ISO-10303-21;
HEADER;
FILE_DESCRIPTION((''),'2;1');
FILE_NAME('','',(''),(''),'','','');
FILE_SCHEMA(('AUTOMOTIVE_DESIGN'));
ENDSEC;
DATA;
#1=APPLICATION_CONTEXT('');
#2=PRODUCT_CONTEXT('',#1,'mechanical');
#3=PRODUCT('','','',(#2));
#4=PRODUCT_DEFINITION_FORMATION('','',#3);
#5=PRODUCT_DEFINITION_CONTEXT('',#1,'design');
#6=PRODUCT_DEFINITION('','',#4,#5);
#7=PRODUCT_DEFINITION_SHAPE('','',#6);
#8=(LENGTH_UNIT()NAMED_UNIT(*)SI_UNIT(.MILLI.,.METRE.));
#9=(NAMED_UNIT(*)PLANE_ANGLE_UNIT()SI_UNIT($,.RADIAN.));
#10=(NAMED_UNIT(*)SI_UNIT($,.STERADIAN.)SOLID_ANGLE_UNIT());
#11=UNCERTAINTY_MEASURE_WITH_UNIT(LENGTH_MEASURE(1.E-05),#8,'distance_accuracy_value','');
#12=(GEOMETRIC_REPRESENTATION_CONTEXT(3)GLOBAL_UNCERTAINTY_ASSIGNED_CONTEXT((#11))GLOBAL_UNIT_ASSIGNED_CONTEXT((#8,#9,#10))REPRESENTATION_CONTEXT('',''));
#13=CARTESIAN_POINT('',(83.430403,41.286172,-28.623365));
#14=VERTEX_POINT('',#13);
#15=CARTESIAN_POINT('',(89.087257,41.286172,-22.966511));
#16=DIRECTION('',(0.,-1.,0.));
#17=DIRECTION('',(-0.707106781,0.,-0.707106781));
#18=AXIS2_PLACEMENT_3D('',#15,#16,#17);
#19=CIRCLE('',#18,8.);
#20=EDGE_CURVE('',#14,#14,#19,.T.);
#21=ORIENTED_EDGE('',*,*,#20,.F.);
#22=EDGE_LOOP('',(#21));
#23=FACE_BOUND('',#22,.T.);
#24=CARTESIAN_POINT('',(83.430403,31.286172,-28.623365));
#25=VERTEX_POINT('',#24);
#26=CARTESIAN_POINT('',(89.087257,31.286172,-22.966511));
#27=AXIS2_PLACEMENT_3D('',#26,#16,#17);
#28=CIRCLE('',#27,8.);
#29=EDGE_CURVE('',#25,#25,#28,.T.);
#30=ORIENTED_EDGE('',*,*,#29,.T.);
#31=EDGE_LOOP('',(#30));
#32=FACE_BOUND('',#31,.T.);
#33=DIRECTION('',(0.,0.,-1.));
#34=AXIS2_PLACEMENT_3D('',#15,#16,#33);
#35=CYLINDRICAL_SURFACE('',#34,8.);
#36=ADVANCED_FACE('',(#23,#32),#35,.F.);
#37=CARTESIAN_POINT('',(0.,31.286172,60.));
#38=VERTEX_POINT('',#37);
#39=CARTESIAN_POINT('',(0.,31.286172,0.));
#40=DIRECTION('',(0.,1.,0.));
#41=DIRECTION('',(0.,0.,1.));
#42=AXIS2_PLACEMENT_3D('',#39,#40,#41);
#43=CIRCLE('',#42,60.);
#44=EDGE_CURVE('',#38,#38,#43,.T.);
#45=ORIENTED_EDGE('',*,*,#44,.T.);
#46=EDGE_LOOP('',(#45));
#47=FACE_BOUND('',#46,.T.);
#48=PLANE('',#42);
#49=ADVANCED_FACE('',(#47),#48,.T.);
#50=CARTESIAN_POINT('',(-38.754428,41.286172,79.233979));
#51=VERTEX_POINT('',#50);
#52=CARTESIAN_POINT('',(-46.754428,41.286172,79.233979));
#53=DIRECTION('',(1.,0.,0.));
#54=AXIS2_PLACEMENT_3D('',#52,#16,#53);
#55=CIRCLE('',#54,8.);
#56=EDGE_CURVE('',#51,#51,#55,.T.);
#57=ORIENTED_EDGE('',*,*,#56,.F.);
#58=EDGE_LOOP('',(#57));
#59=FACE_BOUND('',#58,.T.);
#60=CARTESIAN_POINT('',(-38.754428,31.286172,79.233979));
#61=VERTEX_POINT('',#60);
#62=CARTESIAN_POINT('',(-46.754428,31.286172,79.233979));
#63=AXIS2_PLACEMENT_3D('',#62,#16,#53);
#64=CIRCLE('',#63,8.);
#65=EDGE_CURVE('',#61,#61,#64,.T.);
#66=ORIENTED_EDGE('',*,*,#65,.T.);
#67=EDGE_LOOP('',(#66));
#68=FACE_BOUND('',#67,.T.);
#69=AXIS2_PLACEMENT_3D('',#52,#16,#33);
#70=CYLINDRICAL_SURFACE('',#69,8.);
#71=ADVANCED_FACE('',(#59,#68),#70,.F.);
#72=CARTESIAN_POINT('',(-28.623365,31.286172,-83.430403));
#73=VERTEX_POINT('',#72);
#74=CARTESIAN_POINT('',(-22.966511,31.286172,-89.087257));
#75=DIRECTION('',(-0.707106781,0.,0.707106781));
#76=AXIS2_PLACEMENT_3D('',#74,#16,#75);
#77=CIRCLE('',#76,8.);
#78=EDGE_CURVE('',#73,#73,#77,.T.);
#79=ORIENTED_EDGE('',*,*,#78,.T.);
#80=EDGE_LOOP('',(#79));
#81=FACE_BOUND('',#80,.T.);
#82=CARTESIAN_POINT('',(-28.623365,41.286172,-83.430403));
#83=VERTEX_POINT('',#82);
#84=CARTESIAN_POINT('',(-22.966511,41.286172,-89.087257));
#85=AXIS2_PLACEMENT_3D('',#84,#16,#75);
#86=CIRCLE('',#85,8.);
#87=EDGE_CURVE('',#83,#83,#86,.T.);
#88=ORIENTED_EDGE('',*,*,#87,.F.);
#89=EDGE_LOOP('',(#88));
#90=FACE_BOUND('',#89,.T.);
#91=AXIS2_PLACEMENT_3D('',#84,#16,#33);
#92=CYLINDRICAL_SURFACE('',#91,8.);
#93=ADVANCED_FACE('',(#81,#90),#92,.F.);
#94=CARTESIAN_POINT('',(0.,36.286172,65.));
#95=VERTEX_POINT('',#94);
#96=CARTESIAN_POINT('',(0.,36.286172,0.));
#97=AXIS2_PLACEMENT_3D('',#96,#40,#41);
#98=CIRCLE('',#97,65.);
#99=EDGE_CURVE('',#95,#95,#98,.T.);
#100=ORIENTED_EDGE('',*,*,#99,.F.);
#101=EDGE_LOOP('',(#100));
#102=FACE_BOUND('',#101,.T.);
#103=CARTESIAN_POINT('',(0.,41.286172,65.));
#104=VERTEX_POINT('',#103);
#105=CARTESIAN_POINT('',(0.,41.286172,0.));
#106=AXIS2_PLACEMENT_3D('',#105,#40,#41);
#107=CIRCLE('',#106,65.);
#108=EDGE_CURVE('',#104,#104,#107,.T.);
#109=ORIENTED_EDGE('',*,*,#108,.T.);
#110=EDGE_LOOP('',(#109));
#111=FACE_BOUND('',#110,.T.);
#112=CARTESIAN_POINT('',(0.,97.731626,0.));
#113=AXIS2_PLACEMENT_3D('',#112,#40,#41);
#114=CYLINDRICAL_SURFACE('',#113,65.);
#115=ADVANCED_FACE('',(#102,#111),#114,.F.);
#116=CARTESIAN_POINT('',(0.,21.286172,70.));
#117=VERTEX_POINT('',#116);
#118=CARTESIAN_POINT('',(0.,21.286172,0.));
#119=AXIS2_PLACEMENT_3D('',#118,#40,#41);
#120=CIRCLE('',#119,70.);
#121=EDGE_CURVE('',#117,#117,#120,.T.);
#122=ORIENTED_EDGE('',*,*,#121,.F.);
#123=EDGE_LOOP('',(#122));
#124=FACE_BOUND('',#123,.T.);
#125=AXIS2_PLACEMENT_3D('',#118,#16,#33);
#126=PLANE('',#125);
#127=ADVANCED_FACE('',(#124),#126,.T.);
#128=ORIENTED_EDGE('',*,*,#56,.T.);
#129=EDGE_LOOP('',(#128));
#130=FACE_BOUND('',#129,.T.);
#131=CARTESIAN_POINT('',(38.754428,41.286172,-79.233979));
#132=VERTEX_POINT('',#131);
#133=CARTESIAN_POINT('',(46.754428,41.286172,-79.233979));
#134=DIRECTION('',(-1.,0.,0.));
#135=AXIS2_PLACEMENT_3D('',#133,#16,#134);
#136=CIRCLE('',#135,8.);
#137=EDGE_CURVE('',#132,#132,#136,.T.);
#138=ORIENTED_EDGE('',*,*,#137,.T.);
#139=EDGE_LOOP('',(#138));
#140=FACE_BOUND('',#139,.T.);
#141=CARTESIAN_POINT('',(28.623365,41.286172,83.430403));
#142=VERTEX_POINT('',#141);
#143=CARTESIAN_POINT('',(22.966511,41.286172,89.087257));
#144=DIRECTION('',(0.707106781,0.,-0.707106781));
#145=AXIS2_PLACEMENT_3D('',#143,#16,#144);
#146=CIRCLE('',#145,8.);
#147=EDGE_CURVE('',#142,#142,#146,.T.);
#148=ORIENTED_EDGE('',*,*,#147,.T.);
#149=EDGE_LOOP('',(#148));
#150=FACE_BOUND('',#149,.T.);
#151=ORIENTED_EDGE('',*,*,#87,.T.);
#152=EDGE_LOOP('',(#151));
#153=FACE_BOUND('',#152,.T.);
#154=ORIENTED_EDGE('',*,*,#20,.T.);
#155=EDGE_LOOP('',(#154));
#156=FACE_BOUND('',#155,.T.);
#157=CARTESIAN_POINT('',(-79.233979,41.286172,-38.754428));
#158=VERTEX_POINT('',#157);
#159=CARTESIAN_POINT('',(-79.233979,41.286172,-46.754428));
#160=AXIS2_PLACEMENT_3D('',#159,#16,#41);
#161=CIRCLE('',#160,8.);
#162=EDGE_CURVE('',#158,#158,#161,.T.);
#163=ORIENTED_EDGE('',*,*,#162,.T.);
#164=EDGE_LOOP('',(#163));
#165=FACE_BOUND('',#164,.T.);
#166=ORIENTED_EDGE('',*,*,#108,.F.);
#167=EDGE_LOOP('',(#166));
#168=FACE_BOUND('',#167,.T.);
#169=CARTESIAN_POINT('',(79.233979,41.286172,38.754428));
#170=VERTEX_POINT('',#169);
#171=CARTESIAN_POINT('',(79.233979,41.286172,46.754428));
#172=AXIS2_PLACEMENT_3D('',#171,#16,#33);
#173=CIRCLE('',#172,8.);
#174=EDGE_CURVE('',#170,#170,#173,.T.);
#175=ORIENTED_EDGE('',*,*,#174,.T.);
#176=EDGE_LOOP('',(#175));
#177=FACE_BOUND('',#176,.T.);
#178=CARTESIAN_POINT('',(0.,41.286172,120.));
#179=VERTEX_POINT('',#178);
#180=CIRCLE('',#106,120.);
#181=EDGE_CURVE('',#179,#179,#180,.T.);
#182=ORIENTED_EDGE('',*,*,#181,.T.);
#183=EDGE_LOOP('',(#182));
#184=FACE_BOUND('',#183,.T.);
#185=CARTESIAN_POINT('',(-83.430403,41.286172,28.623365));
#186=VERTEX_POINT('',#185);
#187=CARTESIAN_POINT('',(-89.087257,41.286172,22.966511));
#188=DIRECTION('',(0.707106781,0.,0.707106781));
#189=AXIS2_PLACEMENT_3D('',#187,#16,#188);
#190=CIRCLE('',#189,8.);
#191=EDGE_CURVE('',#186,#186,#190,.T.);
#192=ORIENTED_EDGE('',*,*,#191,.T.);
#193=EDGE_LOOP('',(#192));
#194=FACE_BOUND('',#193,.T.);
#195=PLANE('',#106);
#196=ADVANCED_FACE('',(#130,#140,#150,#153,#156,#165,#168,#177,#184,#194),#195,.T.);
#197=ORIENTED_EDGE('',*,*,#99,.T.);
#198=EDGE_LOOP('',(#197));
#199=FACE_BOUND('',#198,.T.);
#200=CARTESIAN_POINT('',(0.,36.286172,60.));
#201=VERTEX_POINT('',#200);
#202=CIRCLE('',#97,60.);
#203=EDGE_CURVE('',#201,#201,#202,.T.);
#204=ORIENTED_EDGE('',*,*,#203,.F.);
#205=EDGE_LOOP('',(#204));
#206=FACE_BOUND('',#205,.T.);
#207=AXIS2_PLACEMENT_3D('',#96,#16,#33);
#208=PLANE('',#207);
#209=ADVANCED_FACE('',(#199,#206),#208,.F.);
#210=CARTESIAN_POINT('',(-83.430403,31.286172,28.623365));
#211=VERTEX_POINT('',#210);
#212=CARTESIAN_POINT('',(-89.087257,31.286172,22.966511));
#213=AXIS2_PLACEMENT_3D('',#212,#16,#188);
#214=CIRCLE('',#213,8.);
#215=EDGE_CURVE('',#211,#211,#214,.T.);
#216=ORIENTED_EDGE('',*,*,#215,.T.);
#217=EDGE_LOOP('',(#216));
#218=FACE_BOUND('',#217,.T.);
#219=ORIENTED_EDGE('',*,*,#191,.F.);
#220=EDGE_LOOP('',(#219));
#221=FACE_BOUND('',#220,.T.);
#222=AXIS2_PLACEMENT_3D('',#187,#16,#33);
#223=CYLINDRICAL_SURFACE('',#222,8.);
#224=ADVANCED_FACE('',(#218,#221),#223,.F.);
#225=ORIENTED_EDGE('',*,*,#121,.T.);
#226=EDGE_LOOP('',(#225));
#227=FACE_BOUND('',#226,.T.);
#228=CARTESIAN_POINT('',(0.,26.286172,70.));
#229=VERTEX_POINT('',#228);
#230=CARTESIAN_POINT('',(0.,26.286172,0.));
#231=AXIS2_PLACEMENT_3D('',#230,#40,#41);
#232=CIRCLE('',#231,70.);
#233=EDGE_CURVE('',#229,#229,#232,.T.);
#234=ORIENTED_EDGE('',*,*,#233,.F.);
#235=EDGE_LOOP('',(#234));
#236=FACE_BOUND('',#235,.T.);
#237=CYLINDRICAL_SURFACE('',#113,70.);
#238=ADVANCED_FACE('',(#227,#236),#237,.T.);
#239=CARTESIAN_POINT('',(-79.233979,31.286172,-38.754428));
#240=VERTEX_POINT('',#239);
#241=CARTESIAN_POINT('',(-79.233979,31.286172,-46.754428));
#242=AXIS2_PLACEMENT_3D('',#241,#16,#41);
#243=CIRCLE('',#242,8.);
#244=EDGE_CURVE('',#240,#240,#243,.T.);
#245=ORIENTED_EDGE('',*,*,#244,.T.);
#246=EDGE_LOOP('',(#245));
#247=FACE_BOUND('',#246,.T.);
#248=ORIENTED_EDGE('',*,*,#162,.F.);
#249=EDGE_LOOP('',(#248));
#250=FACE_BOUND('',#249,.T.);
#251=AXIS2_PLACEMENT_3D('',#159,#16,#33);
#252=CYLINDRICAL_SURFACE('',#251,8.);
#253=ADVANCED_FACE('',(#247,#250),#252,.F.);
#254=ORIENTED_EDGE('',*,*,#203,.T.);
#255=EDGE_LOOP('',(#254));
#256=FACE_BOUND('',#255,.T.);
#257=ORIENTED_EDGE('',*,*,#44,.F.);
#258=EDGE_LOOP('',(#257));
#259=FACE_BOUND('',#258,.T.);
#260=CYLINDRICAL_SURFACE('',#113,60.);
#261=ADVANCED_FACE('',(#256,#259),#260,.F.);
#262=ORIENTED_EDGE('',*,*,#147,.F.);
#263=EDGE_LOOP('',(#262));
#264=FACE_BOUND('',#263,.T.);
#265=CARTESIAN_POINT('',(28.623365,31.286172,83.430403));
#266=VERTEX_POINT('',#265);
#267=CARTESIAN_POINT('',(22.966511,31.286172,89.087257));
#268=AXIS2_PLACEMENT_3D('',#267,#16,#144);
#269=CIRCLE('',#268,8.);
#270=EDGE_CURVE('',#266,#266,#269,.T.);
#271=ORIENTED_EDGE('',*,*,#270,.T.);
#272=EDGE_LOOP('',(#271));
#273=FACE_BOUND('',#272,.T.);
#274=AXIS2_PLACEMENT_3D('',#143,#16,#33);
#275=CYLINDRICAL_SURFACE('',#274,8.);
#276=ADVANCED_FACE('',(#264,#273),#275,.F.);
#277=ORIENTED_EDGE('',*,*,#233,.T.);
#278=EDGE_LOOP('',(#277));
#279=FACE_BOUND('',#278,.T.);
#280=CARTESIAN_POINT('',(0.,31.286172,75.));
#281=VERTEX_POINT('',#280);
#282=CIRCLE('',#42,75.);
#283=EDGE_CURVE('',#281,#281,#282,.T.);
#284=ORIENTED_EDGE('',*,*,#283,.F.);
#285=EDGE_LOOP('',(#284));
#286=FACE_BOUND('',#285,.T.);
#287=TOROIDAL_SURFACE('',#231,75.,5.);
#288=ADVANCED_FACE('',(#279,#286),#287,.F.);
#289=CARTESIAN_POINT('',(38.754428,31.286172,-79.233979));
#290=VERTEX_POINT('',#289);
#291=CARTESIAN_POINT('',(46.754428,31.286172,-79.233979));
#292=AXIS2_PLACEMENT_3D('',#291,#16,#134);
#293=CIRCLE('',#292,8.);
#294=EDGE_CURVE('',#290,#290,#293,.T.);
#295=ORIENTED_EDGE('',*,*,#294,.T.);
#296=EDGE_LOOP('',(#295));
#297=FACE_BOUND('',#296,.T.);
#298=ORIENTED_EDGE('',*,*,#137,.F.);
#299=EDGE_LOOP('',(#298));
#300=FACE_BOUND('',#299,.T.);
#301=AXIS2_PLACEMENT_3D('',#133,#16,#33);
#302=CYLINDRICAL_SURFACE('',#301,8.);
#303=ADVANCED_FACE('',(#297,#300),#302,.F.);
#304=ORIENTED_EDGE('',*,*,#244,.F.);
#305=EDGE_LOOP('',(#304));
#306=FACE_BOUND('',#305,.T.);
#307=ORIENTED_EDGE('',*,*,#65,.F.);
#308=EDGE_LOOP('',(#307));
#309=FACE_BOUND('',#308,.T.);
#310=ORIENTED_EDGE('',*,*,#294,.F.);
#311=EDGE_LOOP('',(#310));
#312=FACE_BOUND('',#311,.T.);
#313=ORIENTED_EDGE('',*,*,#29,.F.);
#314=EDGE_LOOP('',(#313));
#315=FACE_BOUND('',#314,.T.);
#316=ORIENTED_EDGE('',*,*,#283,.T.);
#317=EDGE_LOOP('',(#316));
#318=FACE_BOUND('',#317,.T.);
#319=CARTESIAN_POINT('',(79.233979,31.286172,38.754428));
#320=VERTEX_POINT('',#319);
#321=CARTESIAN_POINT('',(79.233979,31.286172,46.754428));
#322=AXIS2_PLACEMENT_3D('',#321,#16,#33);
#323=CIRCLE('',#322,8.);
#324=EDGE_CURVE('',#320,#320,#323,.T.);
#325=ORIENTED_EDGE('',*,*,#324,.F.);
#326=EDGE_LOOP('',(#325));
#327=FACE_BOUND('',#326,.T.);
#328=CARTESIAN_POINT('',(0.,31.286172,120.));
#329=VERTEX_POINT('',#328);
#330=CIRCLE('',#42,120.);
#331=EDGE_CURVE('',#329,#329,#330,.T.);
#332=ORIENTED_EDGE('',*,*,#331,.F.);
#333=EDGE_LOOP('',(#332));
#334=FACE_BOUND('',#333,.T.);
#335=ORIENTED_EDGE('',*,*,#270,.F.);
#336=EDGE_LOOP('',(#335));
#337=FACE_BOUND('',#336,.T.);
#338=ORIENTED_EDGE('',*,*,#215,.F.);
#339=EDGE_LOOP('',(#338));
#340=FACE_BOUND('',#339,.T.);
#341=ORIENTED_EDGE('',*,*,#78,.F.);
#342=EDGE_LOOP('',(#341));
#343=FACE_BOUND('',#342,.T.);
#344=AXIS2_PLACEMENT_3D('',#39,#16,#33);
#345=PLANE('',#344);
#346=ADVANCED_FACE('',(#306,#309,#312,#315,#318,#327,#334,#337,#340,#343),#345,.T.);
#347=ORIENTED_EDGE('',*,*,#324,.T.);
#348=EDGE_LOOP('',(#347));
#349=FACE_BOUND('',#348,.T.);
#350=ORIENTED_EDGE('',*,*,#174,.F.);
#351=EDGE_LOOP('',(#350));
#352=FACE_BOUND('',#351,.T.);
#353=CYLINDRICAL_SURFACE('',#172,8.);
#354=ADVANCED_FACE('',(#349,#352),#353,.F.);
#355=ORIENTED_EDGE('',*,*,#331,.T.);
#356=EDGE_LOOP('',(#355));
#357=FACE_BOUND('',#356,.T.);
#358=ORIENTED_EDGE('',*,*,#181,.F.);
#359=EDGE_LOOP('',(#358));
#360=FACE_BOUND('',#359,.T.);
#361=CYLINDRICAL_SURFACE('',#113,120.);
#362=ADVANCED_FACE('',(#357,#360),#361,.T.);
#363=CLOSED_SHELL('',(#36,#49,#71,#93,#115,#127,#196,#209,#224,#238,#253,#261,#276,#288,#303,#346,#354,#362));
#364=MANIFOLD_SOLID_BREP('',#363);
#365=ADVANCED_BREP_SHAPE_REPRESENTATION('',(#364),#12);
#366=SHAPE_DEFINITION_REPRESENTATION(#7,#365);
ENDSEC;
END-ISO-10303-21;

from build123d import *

# Parameters (mm, degrees)
SKETCH1_W          = 60
SKETCH1_H          = 10
SKETCH2_R          = 8
CUT_EXTRUDE1_DEPTH = 171
CIRPATTERN1_COUNT  = 8


with BuildPart() as part:
    # Sketch1 → Revolve1 (revolve)
    with BuildSketch(Plane.XY, mode=Mode.PRIVATE) as revolve1_sk:
        with BuildLine():
            ThreePointArc((75, 31.286171589), (71.464466094, 29.821705495), (70, 26.286171589))
            Line((70, 26.286171589), (70, 21.286171589))
            Line((70, 21.286171589), (60, 21.286171589))
            Line((60, 21.286171589), (60, 36.286171589))
            Line((60, 36.286171589), (65, 36.286171589))
            Line((65, 36.286171589), (65, 41.286171589))
            Line((65, 41.286171589), (120, 41.286171589))
            Line((120, 41.286171589), (120, 31.286171589))
            Line((120, 31.286171589), (75, 31.286171589))
        make_face()
        with Locations((30, 26.286171589)):
            Rectangle(SKETCH1_W, SKETCH1_H)
    revolve(revolve1_sk.sketch.rotate(Axis((0, 97.731625762, 0), (0, -1, 0)), 90), axis=Axis((0, 97.731625762, 0), (0, -1, 0)))

    # Sketch2 → Cut-Extrude1 (cut, through all)
    with BuildSketch(Plane.XZ.offset(-31.286171589)):
        with Locations(Location((79.233979131, 46.754428144, 0), (0, 0, 270))):
            Circle(SKETCH2_R)
    cut_extrude1 = extrude(amount=-CUT_EXTRUDE1_DEPTH, mode=Mode.SUBTRACT)

    # CirPattern1: Cut-Extrude1 ×8 about axis
    cirpattern1_axis = Axis((0, 0, 0), (0, 1, 0))
    for i in range(1, CIRPATTERN1_COUNT):
        add(cut_extrude1.rotate(cirpattern1_axis, i * 360 / CIRPATTERN1_COUNT), mode=Mode.SUBTRACT)


solid = part.part
